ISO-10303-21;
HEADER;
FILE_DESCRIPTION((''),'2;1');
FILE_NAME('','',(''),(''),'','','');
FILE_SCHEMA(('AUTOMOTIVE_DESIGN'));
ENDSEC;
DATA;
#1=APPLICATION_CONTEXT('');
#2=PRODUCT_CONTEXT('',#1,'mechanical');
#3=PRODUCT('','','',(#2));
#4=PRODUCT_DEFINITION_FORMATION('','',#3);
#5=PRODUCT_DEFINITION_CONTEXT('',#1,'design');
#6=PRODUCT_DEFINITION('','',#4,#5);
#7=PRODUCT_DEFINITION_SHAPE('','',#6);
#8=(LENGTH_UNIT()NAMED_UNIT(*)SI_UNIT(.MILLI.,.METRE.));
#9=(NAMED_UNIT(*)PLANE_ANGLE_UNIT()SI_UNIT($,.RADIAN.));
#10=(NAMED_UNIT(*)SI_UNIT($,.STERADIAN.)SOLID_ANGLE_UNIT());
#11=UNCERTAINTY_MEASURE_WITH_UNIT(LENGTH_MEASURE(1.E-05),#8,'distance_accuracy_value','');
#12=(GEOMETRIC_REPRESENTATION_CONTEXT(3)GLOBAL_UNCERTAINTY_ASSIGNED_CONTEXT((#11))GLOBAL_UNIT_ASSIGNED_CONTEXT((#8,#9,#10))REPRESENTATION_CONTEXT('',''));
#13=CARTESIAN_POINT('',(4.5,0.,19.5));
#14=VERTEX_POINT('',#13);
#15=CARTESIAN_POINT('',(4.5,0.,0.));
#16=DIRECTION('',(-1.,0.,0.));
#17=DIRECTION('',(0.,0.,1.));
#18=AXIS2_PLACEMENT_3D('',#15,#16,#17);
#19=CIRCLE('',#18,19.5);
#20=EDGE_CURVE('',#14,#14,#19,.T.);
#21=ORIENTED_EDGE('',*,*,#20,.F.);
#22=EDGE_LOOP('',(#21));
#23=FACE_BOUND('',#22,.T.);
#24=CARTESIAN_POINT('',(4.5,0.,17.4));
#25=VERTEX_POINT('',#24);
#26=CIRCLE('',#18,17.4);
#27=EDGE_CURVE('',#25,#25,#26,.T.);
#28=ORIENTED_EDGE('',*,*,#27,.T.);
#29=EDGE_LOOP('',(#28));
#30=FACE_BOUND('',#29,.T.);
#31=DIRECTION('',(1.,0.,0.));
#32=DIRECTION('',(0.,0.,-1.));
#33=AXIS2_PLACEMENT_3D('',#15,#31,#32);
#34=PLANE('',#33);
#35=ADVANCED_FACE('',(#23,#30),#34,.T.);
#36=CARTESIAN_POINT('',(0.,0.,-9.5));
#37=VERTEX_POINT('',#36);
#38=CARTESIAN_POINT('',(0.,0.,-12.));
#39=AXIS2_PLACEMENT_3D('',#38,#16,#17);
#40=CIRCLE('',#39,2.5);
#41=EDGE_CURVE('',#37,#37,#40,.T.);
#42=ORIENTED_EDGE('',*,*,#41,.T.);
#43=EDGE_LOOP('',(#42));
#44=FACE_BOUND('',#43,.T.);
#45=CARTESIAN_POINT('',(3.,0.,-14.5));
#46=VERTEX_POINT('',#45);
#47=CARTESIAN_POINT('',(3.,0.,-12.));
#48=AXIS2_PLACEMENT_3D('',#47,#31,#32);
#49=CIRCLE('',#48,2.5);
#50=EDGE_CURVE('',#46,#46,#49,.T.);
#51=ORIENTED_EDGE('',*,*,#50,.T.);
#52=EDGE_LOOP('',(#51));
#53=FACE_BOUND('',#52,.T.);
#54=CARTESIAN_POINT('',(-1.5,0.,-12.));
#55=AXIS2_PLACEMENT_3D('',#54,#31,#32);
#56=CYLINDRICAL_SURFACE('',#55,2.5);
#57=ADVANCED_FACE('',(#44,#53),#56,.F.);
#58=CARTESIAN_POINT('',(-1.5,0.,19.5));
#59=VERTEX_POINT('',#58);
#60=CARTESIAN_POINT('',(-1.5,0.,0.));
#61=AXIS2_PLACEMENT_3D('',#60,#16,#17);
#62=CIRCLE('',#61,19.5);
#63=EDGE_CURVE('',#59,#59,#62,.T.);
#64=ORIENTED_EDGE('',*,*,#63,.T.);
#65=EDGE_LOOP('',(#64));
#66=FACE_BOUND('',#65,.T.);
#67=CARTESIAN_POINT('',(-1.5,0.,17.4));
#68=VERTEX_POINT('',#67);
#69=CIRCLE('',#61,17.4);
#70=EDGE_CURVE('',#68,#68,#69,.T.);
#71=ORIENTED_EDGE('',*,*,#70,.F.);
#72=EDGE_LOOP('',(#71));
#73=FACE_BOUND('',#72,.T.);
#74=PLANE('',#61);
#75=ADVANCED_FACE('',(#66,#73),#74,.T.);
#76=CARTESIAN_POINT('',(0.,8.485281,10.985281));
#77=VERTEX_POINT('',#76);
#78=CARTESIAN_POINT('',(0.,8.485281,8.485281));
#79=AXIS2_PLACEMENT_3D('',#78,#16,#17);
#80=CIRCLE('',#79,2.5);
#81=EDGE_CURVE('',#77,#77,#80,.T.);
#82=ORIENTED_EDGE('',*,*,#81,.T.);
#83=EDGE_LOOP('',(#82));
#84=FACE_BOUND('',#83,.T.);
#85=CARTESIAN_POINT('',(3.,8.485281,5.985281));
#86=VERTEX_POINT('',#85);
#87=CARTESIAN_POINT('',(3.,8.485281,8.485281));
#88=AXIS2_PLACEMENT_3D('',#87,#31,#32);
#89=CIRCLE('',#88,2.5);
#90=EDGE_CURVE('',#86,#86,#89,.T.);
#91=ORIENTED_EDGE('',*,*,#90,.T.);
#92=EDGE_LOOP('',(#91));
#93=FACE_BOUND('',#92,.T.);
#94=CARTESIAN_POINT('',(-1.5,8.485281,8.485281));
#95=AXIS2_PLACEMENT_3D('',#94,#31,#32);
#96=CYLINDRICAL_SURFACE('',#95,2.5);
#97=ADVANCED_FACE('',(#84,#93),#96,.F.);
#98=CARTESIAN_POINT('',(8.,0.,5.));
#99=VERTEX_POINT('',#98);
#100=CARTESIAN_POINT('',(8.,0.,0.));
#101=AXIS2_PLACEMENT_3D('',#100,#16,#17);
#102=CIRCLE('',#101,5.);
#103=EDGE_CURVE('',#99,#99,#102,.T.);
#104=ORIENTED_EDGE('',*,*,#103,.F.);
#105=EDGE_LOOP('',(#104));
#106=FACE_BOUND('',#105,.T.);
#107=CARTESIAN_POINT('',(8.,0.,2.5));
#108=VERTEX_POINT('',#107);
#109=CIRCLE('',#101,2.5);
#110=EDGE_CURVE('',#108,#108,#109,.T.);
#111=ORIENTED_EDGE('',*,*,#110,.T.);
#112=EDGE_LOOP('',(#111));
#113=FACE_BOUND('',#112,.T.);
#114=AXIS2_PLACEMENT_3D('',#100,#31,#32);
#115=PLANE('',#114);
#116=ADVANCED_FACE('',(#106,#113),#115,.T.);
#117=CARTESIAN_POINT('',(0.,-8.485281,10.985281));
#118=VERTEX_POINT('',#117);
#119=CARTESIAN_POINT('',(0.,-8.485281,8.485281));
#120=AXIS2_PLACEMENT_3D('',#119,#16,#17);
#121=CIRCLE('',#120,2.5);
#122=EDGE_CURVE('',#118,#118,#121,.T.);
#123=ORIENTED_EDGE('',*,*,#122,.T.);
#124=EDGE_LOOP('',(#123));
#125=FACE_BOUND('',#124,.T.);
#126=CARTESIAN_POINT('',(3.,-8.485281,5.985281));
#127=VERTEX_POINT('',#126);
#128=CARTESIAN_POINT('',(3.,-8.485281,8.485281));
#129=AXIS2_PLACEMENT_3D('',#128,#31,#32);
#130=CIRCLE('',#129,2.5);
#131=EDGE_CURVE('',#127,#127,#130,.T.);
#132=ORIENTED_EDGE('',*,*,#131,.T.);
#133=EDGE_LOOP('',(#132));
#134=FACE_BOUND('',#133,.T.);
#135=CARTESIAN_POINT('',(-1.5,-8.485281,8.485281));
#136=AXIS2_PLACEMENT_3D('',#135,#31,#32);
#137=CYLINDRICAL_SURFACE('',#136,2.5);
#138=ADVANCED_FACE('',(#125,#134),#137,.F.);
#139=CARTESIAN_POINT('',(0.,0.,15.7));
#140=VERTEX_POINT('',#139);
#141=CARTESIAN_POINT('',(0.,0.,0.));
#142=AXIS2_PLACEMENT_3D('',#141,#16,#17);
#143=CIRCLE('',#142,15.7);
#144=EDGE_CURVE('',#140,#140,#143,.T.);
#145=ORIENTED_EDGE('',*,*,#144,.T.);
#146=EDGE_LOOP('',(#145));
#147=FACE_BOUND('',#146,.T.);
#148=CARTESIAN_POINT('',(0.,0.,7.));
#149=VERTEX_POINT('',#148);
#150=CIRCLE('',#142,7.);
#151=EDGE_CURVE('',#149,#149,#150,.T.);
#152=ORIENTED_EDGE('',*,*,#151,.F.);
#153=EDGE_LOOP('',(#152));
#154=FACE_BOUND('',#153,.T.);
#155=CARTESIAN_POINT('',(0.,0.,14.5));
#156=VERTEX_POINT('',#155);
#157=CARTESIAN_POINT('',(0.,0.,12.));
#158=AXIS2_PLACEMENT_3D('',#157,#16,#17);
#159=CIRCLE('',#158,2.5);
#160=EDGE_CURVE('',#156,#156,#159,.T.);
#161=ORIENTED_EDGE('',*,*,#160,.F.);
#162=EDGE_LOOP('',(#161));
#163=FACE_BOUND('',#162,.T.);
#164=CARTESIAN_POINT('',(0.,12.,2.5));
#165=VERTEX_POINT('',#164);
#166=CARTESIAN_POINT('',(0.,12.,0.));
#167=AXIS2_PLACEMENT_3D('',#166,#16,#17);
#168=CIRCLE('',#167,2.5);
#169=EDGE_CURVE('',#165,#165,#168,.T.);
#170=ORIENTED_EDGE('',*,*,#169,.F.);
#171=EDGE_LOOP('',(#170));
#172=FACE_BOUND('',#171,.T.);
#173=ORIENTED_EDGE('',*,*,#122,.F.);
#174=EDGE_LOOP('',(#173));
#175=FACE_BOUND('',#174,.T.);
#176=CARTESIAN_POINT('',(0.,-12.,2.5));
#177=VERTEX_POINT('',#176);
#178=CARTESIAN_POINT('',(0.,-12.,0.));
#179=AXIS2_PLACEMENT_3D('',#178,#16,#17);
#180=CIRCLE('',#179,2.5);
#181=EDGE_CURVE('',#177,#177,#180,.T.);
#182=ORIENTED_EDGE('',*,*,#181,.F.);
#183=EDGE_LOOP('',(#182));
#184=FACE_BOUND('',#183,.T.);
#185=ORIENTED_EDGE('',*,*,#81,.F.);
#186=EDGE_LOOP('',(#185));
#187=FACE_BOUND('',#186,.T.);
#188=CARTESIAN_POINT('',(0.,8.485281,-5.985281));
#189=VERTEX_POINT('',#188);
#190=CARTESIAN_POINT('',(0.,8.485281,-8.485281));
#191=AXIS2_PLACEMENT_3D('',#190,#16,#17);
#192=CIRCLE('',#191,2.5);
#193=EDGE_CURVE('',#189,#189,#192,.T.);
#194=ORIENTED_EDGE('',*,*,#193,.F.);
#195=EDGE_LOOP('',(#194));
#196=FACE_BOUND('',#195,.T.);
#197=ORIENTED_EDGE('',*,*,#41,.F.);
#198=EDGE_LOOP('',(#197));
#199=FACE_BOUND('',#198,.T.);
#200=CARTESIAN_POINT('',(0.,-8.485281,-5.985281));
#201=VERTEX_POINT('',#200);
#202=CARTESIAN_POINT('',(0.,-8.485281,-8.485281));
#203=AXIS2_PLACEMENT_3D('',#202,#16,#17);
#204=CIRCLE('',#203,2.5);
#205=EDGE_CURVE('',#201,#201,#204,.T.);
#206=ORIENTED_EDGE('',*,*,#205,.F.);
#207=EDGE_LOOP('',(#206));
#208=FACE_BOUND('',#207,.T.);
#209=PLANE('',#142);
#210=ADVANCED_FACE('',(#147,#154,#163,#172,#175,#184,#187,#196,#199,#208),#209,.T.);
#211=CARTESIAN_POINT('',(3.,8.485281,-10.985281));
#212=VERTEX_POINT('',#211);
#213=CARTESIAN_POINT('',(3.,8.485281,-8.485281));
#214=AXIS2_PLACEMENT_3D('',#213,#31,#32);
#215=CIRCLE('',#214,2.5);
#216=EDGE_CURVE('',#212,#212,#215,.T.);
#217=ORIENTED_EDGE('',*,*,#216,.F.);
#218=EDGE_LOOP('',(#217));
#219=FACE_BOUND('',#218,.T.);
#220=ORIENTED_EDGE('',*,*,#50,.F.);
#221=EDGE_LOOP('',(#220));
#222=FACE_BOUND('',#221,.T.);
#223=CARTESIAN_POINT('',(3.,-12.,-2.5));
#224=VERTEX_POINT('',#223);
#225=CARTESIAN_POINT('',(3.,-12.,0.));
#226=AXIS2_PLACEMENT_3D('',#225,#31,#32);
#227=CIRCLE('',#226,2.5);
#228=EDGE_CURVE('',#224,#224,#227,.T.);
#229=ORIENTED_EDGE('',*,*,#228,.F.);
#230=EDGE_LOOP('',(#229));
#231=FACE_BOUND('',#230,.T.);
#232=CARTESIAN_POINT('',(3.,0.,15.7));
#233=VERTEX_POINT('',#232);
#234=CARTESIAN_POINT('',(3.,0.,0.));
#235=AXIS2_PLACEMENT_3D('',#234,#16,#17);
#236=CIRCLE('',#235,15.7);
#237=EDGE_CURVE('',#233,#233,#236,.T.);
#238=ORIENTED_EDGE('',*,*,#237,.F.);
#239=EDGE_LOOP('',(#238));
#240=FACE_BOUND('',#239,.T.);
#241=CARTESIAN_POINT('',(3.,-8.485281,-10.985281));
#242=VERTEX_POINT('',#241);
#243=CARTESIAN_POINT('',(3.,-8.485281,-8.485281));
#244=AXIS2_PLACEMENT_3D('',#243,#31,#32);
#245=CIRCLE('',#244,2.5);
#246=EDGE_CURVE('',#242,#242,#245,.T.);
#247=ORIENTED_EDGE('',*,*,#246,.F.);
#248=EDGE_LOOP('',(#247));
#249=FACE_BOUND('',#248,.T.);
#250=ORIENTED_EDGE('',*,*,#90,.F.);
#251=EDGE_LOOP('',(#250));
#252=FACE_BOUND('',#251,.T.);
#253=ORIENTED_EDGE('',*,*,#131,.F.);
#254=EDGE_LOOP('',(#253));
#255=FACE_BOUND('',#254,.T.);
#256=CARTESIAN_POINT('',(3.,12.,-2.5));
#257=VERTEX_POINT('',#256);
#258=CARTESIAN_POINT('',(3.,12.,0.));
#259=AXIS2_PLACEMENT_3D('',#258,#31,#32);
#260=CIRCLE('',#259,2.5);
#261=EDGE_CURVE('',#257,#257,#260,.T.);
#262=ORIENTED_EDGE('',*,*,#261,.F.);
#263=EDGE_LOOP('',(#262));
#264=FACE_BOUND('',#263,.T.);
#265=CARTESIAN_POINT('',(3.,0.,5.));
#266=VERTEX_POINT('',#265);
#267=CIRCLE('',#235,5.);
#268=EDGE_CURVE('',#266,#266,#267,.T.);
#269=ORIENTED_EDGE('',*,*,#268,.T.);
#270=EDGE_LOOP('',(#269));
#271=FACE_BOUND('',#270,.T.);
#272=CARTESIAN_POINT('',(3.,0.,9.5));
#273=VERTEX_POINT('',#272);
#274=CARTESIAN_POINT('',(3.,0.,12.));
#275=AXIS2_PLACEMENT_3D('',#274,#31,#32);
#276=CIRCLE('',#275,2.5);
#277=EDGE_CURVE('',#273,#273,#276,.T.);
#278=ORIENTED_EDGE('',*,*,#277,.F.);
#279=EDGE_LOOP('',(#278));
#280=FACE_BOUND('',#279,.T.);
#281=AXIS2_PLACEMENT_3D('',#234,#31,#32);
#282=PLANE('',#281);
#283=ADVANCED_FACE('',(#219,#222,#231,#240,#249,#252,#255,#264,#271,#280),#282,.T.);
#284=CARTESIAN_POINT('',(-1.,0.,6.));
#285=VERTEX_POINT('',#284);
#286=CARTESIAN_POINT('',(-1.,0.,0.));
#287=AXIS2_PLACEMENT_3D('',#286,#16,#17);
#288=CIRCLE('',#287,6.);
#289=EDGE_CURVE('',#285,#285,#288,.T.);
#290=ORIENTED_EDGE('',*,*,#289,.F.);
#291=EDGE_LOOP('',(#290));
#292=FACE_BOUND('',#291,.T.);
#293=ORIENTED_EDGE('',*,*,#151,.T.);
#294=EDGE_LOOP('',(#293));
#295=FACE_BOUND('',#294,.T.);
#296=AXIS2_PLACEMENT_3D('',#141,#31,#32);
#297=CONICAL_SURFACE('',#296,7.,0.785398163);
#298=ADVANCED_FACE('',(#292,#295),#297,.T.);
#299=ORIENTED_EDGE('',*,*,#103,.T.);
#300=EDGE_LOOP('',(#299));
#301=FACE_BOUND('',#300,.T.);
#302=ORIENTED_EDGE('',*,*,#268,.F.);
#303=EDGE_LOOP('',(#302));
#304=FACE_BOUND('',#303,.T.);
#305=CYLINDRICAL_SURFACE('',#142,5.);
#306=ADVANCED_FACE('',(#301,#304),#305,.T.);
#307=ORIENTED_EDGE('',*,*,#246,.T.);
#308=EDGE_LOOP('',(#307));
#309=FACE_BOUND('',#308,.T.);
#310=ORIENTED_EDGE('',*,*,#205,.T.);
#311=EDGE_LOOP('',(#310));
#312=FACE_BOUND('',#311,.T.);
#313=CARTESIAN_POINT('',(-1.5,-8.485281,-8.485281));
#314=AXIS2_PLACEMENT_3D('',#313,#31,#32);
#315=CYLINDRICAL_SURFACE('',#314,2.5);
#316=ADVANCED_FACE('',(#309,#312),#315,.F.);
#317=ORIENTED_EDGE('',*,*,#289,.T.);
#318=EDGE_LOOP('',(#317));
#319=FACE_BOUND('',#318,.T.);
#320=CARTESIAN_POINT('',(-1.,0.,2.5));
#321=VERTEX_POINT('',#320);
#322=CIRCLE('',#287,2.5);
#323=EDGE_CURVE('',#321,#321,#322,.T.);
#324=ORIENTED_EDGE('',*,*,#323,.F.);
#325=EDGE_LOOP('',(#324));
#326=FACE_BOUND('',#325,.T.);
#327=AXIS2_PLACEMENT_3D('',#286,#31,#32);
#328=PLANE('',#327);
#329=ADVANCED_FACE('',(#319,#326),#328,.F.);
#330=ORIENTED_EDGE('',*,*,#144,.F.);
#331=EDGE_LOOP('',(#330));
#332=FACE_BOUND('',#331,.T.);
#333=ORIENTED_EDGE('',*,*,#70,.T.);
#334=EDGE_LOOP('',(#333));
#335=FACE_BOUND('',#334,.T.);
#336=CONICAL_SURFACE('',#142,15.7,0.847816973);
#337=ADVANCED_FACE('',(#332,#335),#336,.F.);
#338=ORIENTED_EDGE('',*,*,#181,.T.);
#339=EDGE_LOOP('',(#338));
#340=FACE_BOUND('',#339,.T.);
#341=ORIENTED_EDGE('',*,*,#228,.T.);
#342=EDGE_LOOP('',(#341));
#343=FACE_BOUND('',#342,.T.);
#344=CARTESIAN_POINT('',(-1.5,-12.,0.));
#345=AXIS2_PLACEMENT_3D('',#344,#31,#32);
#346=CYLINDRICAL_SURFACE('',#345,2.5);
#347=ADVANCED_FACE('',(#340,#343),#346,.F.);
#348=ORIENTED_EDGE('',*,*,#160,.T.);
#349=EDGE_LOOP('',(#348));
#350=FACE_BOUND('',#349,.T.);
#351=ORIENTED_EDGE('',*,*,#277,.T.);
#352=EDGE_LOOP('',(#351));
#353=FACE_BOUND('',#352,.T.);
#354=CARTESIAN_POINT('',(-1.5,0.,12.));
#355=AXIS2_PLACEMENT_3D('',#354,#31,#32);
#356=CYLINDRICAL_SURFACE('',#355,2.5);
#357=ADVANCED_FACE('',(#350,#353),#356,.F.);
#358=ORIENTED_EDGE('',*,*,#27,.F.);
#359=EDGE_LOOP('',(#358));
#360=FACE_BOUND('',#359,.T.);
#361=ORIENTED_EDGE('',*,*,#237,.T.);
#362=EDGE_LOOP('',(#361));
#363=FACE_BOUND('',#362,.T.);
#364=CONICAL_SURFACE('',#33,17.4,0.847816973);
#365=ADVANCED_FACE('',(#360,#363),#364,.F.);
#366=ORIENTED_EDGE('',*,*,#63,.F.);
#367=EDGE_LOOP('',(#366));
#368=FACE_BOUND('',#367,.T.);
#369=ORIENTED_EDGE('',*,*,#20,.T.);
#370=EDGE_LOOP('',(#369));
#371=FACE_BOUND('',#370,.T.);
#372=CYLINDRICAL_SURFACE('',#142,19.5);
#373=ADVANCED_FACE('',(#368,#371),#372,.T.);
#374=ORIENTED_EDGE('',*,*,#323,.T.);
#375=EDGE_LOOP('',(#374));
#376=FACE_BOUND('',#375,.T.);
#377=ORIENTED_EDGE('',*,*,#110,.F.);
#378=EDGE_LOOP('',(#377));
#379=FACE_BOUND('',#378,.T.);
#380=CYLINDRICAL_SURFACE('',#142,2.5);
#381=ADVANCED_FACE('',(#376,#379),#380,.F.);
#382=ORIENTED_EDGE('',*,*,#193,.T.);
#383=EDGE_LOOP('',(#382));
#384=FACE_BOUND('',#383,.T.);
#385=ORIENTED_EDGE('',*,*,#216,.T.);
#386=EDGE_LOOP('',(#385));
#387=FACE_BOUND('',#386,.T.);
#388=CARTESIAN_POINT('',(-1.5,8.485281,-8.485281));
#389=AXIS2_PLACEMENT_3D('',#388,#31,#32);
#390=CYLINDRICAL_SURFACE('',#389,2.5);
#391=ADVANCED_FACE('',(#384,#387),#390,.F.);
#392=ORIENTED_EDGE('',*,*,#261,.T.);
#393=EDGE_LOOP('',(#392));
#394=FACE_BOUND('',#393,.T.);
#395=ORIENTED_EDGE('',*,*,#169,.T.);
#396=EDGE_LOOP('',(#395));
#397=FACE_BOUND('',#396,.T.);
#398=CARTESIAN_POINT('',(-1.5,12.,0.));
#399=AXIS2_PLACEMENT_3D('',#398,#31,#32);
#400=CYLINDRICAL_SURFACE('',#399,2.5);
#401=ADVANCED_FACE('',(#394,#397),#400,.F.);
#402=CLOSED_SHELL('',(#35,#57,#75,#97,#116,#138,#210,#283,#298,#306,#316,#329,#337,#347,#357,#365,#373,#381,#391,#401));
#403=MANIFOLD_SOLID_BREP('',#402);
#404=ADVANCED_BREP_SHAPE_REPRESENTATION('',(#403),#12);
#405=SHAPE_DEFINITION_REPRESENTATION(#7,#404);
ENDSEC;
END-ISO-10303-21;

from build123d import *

# Parameters (mm, degrees)
SKETCH2_R          = 2.5
CUT_EXTRUDE1_DEPTH = 29.026772914


with BuildPart() as part:
    # Sketch1 → Revolve1 (revolve)
    with BuildSketch(Plane.XY, mode=Mode.PRIVATE) as revolve1_sk:
        Polygon((0, 7), (0, 2.5), (8, 2.5), (8, 5), (3, 5), (3, 15.7), (4.5, 17.4), (4.5, 19.5), (-1.5, 19.5), (-1.5, 17.4), (0, 15.7), align=None)
        Polygon((-1, 2.5), (0, 2.5), (0, 7), (-1, 6), align=None)
    revolve(revolve1_sk.sketch.rotate(Axis((0, 0, 0), (1, 0, 0)), 90), axis=Axis((0, 0, 0), (1, 0, 0)))

    # Sketch2 → Cut-Extrude1 (cut, through all)
    with BuildSketch(Plane(origin=(3, 0, 0), x_dir=(0, 0, -1), z_dir=(1, 0, 0))):
        with Locations((0, 12)):
            Circle(SKETCH2_R)
        with Locations((8.485281374, 8.485281374)):
            Circle(SKETCH2_R)
        with Locations((12, 0)):
            Circle(SKETCH2_R)
        with Locations((8.485281374, -8.485281374)):
            Circle(SKETCH2_R)
        with Locations((0, -12)):
            Circle(SKETCH2_R)
        with Locations((-8.485281374, -8.485281374)):
            Circle(SKETCH2_R)
        with Locations((-12, 0)):
            Circle(SKETCH2_R)
        with Locations((-8.485281374, 8.485281374)):
            Circle(SKETCH2_R)
    extrude(amount=-CUT_EXTRUDE1_DEPTH, mode=Mode.SUBTRACT)


solid = part.part
